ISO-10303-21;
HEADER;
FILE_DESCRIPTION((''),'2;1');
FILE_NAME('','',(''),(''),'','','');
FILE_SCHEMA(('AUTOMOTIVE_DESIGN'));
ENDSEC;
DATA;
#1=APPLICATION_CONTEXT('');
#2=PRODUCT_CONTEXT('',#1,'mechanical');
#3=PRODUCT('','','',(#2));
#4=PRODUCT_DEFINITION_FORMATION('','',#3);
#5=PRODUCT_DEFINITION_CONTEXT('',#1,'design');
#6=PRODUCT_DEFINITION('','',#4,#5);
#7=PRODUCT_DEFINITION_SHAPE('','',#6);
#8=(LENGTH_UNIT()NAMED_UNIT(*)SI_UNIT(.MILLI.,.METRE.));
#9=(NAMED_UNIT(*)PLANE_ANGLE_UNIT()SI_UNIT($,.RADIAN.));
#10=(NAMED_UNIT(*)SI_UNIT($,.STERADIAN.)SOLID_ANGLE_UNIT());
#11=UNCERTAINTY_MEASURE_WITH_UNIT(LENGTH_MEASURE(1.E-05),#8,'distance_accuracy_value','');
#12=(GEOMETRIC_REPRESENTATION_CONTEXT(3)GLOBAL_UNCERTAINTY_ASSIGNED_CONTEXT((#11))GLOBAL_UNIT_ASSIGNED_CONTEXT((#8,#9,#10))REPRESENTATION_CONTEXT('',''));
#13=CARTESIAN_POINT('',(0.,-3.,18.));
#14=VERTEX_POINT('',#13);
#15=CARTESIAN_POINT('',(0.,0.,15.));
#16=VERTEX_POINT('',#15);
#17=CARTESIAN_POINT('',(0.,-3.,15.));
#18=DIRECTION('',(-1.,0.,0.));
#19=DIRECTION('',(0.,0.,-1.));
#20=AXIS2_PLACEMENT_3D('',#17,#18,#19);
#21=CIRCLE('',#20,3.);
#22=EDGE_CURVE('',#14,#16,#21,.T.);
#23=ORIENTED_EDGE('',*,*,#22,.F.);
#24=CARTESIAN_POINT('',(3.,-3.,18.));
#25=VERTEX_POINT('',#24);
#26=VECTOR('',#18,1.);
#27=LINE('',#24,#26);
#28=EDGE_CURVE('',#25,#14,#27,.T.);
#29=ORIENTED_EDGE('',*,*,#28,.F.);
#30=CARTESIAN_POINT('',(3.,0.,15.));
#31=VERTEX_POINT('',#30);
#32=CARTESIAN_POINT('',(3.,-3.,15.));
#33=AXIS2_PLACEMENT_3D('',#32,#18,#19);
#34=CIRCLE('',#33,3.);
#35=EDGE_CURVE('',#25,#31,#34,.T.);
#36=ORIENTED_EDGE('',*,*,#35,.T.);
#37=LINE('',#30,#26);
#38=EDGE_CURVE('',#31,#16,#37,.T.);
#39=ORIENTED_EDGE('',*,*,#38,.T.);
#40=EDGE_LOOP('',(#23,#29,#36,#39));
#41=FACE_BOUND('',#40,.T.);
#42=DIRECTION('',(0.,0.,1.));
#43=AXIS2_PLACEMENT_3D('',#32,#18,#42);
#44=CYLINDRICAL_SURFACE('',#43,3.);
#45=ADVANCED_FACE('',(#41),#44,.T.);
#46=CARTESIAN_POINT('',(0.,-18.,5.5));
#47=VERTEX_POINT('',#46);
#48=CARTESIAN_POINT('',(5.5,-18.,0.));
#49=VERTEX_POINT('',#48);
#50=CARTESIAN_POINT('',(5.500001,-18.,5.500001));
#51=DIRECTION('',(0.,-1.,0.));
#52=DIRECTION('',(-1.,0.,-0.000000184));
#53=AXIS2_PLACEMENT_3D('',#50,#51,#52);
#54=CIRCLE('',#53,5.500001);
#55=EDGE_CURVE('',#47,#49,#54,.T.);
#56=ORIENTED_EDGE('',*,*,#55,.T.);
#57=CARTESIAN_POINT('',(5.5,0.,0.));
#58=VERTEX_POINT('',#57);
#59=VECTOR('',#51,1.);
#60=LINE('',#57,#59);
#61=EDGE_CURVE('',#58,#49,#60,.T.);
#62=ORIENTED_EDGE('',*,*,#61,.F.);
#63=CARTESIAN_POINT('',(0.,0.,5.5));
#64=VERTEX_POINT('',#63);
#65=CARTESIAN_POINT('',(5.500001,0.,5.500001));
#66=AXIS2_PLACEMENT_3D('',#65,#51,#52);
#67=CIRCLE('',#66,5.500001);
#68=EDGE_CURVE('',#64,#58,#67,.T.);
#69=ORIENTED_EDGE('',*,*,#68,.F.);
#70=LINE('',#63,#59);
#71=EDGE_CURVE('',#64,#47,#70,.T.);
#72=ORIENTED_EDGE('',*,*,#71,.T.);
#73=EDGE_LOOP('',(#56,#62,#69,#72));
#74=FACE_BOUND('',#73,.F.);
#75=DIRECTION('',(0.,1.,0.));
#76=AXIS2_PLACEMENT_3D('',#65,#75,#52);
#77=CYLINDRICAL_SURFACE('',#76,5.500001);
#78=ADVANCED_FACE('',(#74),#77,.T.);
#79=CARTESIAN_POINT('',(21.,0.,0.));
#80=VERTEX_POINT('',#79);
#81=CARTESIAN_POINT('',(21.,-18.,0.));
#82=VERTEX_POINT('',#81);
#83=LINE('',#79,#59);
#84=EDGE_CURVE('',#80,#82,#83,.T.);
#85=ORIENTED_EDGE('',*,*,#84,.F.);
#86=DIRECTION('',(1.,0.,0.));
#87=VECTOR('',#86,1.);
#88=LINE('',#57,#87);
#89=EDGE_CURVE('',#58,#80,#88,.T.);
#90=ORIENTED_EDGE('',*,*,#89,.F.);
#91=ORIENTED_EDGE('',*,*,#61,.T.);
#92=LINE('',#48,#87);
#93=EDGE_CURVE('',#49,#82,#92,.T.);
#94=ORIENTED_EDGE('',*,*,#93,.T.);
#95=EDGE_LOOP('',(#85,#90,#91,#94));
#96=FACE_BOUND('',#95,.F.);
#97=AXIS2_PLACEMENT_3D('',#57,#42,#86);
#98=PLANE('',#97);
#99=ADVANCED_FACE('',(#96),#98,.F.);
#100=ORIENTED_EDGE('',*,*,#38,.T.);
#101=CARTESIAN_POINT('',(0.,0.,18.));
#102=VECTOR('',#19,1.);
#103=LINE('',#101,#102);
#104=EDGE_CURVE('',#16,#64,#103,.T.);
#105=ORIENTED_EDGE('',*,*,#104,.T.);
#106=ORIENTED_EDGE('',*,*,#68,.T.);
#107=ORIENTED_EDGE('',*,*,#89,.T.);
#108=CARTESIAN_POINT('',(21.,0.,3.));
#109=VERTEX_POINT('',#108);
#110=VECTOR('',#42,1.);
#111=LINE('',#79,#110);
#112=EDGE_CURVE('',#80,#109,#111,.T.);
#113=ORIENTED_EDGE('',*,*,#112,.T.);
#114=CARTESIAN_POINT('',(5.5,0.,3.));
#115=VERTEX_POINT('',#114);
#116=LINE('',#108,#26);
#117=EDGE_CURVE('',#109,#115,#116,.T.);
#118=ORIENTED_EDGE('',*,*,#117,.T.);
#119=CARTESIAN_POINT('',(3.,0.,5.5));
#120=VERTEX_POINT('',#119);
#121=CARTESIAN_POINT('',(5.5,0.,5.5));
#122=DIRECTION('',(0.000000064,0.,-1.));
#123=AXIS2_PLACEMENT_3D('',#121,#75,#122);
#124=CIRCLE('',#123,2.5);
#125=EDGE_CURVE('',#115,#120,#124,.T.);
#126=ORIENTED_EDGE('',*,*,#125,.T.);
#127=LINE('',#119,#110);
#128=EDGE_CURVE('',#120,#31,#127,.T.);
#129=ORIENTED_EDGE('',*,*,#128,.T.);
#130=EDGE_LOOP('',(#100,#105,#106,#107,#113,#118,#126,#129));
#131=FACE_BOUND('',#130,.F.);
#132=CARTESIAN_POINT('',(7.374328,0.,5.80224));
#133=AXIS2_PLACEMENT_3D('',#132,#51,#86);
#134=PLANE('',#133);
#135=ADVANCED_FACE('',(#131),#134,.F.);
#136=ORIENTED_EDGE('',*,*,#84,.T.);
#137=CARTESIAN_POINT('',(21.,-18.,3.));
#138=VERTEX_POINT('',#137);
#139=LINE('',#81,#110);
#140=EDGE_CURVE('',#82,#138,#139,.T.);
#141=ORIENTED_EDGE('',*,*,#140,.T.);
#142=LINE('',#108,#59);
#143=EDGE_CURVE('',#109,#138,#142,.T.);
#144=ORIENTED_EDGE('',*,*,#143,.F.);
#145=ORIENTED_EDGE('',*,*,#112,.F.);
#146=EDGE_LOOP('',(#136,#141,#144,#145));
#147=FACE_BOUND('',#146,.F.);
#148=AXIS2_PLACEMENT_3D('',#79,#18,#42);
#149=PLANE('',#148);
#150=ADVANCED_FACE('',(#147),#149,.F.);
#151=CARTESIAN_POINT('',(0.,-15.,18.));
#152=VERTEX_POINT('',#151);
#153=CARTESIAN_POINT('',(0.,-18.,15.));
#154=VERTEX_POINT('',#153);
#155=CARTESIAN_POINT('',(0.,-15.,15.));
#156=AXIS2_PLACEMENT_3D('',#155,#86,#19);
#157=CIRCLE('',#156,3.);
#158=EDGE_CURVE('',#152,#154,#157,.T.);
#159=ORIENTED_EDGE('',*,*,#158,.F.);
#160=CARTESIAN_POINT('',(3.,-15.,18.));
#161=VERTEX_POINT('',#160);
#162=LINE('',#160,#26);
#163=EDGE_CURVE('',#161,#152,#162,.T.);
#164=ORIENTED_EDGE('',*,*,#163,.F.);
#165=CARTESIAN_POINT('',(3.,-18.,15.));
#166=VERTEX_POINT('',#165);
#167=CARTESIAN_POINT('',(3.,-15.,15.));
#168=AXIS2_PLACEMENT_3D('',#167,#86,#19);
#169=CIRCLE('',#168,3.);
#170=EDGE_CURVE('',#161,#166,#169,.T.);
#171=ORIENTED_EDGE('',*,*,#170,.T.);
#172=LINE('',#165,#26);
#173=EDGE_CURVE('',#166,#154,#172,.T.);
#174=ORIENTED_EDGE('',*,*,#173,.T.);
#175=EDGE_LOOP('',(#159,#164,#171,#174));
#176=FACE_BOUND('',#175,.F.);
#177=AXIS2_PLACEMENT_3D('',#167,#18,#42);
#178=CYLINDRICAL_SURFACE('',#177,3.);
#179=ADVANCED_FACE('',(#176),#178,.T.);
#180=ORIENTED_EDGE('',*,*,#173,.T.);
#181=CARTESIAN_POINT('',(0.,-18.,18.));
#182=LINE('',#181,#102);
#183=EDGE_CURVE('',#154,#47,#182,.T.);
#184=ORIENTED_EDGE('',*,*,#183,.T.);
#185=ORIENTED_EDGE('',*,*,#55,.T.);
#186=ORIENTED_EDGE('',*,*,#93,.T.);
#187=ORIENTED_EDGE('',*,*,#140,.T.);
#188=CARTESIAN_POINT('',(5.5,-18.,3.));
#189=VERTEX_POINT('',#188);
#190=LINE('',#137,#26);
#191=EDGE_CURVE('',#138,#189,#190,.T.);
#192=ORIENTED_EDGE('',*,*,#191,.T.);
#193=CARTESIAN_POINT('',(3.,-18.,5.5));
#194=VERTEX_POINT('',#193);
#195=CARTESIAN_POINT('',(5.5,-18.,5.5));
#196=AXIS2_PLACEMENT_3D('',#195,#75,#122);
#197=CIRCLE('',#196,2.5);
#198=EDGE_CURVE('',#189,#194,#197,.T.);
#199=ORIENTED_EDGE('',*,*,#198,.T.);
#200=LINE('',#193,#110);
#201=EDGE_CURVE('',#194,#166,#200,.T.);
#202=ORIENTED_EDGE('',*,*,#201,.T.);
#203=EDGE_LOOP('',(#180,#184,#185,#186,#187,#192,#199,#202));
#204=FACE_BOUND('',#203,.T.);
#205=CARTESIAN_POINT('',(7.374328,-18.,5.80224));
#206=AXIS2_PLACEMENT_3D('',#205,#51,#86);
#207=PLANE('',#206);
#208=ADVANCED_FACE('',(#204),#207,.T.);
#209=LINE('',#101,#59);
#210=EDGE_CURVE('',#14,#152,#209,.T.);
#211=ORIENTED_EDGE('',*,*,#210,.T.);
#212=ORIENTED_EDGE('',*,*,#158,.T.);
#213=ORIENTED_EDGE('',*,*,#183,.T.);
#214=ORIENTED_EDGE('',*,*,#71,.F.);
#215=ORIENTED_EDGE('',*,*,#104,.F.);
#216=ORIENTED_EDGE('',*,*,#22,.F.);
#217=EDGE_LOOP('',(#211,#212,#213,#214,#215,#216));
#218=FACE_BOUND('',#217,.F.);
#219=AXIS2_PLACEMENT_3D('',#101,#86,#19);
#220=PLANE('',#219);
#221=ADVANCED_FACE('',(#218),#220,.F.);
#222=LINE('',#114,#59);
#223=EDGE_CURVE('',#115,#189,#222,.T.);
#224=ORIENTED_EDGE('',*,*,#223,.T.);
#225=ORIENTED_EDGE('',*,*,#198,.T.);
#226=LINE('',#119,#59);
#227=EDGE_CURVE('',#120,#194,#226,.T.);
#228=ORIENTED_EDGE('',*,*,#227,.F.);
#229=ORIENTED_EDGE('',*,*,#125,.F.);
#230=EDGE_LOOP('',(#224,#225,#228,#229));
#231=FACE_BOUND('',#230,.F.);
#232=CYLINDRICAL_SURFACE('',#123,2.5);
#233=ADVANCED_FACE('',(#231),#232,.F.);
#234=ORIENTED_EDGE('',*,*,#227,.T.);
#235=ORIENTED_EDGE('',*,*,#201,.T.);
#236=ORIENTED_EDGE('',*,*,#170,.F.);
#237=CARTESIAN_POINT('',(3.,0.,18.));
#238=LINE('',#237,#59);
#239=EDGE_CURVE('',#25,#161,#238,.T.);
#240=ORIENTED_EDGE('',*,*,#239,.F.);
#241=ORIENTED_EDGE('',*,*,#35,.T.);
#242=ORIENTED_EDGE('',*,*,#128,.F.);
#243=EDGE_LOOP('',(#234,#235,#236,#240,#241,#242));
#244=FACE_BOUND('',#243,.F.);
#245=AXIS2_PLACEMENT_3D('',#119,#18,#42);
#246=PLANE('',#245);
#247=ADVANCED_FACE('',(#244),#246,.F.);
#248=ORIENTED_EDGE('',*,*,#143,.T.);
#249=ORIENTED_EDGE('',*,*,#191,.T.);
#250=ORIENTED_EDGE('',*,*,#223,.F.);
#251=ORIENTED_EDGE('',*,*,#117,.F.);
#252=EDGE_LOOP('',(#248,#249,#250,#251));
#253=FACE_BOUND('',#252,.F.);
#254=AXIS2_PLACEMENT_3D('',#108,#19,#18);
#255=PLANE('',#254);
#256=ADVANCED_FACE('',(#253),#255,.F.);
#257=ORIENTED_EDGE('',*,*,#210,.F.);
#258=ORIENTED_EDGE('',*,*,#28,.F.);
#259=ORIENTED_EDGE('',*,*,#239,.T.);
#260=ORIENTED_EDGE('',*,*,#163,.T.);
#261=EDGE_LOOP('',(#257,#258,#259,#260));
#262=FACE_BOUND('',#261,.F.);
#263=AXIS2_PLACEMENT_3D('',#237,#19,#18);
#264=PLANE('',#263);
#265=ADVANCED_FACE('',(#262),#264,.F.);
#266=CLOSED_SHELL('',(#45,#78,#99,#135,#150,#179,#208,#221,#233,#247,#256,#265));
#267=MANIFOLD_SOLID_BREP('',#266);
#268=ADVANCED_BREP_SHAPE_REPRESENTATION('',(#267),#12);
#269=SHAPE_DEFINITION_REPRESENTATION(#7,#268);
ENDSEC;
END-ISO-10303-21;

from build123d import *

# Parameters (mm, degrees)
F1_DEPTH = 18
F2_R     = 3


with BuildPart() as f1:
    # F0 (on Front) → F1 (new body)
    with BuildSketch(Plane.XZ):
        with BuildLine():
            ThreePointArc((0, 5.5), (1.610913, 1.610913), (5.5, 0))
            Line((5.5, 0), (21, 0))
            Line((21, 0), (21, 3))
            Line((21, 3), (5.5, 3))
            ThreePointArc((5.5, 3), (3.732233, 3.732233), (3, 5.5))
            Line((3, 5.5), (3, 18))
            Line((3, 18), (0, 18))
            Line((0, 18), (0, 5.5))
        make_face()
    extrude(amount=F1_DEPTH)

    # F2
    f2_edges = [f1.edges().sort_by_distance(p)[0] for p in [
        (1.5, -18, 18),
        (1.5, 0, 18),
    ]]
    fillet(f2_edges, radius=F2_R)


solid = f1.part
